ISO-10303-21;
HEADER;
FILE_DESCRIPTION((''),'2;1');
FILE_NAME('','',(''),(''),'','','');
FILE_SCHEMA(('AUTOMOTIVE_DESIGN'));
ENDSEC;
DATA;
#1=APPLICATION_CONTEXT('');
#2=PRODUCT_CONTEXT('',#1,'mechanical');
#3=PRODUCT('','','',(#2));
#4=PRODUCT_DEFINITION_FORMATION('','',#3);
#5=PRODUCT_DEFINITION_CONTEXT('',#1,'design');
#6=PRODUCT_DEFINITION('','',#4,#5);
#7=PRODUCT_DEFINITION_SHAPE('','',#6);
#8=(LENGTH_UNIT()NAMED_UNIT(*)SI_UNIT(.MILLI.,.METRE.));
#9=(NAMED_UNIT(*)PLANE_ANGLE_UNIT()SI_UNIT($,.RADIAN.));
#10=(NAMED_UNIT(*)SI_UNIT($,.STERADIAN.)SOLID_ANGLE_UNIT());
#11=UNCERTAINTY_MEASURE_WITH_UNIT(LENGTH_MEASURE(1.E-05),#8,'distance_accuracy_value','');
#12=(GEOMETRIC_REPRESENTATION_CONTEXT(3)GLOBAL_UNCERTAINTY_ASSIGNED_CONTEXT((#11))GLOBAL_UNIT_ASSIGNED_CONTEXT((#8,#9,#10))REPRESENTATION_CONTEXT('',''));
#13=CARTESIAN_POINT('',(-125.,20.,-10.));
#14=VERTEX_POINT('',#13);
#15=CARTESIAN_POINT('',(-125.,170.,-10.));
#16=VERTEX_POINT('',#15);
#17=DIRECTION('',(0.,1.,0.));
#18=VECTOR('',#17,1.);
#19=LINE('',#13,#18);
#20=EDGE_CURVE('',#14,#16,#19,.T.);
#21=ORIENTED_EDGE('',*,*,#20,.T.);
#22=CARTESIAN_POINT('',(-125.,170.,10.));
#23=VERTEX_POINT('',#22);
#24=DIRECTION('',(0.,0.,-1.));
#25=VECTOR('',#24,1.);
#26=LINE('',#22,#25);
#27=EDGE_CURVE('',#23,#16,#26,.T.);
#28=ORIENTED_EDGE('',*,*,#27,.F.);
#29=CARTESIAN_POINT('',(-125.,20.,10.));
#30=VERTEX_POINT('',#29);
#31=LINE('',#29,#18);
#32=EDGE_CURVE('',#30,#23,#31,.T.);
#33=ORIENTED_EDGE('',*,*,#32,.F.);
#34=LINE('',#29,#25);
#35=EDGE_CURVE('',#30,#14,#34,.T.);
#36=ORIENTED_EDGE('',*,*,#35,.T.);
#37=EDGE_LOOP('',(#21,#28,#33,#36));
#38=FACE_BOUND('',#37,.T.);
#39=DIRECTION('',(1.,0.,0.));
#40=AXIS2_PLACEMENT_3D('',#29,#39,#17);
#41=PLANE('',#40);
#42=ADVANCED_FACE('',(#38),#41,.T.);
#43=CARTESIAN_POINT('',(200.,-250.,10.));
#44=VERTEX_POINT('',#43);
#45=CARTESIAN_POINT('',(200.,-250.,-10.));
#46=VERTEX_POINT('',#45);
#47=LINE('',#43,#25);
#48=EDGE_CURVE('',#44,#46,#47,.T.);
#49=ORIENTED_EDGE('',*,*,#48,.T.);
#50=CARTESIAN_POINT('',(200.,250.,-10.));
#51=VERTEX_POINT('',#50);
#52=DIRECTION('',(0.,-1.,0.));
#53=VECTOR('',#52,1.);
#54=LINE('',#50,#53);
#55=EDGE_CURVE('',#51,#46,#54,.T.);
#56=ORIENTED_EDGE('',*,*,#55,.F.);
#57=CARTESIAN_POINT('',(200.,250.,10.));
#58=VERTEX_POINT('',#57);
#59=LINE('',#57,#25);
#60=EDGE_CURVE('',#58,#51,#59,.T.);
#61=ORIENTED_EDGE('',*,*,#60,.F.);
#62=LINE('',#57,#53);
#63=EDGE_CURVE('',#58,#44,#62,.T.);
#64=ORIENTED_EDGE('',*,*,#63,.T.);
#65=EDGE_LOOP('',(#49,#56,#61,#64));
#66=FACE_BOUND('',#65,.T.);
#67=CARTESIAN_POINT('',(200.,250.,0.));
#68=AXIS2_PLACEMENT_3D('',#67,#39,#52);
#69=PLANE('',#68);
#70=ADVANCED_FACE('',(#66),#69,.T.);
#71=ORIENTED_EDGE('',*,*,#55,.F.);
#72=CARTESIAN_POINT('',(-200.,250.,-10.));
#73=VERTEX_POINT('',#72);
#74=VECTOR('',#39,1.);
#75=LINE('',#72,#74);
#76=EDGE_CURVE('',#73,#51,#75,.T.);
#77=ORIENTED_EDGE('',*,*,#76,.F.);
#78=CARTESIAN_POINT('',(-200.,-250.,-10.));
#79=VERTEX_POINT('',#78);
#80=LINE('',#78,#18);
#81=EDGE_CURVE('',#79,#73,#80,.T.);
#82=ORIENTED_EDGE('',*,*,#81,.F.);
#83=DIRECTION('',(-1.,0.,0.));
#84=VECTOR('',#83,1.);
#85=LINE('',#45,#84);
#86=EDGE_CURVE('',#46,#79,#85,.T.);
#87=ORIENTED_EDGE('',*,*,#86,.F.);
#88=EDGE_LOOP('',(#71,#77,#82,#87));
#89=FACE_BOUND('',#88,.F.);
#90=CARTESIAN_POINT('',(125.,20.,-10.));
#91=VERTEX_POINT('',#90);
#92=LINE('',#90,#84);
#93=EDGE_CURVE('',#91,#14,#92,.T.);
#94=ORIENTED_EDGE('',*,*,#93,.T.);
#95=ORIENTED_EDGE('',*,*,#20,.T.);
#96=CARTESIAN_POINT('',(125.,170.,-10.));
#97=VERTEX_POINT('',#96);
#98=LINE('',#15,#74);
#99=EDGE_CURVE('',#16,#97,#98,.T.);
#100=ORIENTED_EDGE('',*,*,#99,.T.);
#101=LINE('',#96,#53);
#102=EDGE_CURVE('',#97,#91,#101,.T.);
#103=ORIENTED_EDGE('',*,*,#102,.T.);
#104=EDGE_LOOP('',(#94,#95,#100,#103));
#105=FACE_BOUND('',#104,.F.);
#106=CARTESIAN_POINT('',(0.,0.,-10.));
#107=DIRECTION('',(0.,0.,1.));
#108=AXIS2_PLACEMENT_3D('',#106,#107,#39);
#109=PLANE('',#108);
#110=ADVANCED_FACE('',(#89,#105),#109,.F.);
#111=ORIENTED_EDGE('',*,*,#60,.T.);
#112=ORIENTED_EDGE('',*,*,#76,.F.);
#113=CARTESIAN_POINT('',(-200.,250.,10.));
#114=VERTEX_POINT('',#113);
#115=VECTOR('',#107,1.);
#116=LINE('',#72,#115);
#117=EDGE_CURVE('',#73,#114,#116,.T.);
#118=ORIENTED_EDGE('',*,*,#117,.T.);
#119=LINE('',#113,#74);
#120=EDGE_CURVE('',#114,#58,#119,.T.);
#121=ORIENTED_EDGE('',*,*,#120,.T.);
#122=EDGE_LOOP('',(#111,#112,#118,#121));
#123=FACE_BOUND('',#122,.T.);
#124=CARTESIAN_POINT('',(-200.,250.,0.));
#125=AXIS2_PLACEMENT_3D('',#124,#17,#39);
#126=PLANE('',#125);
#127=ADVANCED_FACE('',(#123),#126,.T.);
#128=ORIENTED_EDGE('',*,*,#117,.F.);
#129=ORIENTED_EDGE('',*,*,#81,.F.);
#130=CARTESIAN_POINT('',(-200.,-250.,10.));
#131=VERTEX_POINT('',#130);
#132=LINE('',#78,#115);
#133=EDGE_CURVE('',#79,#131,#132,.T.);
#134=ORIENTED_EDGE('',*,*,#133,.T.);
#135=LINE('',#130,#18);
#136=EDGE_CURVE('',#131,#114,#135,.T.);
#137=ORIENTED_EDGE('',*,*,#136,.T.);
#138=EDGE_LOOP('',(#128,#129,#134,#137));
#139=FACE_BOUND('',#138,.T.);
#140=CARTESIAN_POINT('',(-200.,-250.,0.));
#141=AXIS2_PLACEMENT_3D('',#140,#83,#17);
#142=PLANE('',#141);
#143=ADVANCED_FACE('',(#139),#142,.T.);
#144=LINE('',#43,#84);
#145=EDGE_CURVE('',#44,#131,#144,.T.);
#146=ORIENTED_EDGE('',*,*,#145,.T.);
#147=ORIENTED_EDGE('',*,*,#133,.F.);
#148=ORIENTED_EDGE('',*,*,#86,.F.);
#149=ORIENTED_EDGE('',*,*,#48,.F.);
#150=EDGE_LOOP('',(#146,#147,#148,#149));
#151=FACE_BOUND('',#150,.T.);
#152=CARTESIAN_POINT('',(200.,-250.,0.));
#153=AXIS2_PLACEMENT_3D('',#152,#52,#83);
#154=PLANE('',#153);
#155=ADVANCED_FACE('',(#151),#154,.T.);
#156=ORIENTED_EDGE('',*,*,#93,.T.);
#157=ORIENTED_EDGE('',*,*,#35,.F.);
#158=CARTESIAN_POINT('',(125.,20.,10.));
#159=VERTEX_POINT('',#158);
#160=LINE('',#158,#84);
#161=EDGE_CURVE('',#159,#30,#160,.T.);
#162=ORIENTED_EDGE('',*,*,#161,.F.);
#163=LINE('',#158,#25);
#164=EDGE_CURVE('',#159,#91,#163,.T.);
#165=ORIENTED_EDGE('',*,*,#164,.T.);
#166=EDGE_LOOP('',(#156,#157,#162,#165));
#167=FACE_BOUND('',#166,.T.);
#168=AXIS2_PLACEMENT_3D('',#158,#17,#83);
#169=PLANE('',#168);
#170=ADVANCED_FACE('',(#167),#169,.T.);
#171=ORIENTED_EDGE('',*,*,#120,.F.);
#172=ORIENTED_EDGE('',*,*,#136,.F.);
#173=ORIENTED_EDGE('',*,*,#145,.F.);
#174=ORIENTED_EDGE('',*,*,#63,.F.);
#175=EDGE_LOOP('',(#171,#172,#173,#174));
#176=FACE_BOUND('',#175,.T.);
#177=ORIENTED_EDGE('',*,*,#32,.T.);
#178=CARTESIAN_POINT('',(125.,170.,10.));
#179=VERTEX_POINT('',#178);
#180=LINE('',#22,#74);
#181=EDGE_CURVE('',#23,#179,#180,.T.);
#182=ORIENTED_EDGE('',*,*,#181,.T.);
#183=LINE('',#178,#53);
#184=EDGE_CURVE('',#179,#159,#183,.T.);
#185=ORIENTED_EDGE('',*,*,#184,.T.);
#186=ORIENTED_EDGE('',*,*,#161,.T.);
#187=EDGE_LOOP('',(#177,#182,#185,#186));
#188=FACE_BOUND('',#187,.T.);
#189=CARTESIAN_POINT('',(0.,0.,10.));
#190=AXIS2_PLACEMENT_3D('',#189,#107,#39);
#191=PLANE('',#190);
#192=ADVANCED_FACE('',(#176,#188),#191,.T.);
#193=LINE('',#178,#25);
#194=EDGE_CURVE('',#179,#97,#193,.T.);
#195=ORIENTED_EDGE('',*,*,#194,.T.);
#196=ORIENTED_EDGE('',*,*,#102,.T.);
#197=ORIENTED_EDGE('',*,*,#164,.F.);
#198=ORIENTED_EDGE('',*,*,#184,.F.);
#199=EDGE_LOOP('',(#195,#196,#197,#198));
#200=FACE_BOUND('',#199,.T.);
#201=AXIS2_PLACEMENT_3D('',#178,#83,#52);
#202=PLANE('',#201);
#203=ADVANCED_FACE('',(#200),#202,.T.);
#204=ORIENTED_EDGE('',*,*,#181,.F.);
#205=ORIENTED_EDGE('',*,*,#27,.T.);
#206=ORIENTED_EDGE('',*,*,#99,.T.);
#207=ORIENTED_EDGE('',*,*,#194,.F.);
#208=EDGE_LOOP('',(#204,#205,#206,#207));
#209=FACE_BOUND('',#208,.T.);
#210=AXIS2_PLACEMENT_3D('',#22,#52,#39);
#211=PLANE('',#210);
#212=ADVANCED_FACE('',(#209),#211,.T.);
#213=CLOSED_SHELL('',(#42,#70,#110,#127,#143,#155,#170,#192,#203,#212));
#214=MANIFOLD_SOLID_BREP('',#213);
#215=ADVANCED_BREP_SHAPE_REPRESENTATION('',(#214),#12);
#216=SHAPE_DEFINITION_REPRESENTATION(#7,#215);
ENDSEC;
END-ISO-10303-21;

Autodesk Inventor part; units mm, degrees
ref_plane "YZ Plane" through (0, 0, 0) normal (1, 0, 0) x (0, 1, 0)
ref_plane "XZ Plane" through (0, 0, 0) normal (0, 1, 0) x (-1, 0, 0)
ref_plane "XY Plane" through (0, 0, 0) normal (0, 0, 1) x (1, 0, 0)
sketch "Skizze1" plane through (0, 0, 0) normal (0, 0, 1) x (1, 0, 0)
  line L0 (-200, 250) -> (200, 250)
  line L1 (200, 250) -> (200, -250)
  line L2 (200, -250) -> (-200, -250)
  line L3 (-200, -250) -> (-200, 250)
  line L4 (-200, 250) -> (200, -250) construction
  line L5 (200, 250) -> (-200, -250) construction
  point P0 (0, 0)
  dimension "d0" = 400
  dimension "d1" = 500
extrude "Extrusion1" add sketch "Skizze1" along normal mid plane 20
sketch "Skizze2" plane through (0, 0, 10) normal (0, 0, 1) x (1, 0, 0)
  line L0 (-125, 170) -> (125, 170)
  line L1 (125, 170) -> (125, 20)
  line L2 (125, 20) -> (-125, 20)
  line L3 (-125, 20) -> (-125, 170)
  line L4 (-125, 170) -> (125, 20) construction
  line L5 (125, 170) -> (-125, 20) construction
  line L6 (200, 250) -> (-200, 250) projected
  point P0 (0, 0)
  point P1 (0, 95)
  dimension "d4" = 150
  dimension "d5" = 250
  dimension "d6" = 80
extrude "Extrusion2" cut sketch "Skizze2" against normal blind 20
properties part number "Gesichtshalter"
